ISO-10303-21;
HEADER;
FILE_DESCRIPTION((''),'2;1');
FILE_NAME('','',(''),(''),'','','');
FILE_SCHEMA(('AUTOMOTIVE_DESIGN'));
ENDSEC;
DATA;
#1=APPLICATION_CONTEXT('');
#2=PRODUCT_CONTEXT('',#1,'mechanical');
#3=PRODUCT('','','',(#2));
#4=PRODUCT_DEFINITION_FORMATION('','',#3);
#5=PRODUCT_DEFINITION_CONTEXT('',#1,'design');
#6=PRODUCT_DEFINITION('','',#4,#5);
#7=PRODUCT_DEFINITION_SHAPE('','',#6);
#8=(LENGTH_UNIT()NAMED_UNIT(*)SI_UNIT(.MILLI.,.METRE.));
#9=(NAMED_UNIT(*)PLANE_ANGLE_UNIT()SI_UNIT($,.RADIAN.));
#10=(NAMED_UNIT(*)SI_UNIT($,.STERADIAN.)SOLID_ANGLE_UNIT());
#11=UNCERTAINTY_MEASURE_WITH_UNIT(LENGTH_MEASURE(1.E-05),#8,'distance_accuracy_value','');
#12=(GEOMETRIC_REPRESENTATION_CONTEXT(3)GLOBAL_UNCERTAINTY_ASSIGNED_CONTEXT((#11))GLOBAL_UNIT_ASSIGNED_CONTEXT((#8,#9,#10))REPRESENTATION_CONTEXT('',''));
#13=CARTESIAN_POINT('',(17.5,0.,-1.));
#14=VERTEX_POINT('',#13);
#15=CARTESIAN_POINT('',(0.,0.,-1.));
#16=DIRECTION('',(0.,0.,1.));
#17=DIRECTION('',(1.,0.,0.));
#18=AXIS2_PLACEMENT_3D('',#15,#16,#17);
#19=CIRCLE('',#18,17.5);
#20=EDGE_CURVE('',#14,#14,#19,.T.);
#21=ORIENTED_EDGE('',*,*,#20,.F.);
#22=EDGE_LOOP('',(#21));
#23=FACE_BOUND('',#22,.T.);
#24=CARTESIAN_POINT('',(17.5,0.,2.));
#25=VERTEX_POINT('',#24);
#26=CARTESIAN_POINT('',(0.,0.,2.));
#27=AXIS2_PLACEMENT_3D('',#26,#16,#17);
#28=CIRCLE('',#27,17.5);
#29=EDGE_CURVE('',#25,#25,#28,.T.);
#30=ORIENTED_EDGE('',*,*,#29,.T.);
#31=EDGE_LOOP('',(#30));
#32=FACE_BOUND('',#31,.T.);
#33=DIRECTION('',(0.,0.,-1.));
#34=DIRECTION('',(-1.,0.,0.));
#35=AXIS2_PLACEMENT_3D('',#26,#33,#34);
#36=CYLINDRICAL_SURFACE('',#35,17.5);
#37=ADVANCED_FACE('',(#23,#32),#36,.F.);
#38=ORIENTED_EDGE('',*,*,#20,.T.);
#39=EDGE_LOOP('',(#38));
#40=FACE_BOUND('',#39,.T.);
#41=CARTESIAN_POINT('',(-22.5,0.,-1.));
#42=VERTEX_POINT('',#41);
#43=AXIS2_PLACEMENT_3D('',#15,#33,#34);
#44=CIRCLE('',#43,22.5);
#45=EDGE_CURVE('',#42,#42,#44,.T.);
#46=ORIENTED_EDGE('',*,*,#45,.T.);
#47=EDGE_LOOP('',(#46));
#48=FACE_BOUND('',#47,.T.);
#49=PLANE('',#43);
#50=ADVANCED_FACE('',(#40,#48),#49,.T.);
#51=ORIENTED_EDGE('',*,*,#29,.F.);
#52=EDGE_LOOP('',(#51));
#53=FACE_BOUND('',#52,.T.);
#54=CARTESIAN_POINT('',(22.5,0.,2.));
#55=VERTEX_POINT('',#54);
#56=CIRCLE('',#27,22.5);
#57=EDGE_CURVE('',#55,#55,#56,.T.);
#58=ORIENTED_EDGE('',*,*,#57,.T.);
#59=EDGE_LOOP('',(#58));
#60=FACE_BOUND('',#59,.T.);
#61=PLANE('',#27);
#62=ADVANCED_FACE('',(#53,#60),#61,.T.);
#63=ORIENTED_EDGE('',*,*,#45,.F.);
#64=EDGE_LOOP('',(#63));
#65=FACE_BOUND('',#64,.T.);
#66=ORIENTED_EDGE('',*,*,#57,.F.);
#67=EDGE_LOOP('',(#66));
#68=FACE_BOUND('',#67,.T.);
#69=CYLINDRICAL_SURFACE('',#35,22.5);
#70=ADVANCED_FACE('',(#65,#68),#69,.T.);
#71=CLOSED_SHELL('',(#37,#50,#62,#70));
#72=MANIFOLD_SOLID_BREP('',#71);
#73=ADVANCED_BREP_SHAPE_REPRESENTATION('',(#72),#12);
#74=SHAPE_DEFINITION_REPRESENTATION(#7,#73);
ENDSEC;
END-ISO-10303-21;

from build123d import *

# Parameters (mm, degrees)
SKETCH1_R           = 22.5
SKETCH1_R_2         = 17.5
BOSS_EXTRUDE1_DEPTH = 2
BOSS_EXTRUDE2_START = 1
SKETCH2_R           = 22.5
BOSS_EXTRUDE2_DEPTH = 1
CUT_EXTRUDE1_START  = -1
SKETCH3_R           = 17.5
CUT_EXTRUDE1_DEPTH  = 1


with BuildPart() as part:
    # Sketch1 → Boss-Extrude1 (new body)
    with BuildSketch(Plane.XY):
        Circle(SKETCH1_R)
        Circle(SKETCH1_R_2, mode=Mode.SUBTRACT)
    extrude(amount=BOSS_EXTRUDE1_DEPTH)

    # Sketch2 → Boss-Extrude2 (add)
    with BuildSketch(Plane(origin=(0, 0, 0), x_dir=(-1, 0, 0), z_dir=(0, 0, -1)).offset(BOSS_EXTRUDE2_START)):
        Circle(SKETCH2_R)
    extrude(amount=-BOSS_EXTRUDE2_DEPTH)

    # Sketch3 → Cut-Extrude1 (cut)
    with BuildSketch(Plane.XY.offset(CUT_EXTRUDE1_START)):
        Circle(SKETCH3_R)
    extrude(amount=CUT_EXTRUDE1_DEPTH, mode=Mode.SUBTRACT)


solid = part.part
